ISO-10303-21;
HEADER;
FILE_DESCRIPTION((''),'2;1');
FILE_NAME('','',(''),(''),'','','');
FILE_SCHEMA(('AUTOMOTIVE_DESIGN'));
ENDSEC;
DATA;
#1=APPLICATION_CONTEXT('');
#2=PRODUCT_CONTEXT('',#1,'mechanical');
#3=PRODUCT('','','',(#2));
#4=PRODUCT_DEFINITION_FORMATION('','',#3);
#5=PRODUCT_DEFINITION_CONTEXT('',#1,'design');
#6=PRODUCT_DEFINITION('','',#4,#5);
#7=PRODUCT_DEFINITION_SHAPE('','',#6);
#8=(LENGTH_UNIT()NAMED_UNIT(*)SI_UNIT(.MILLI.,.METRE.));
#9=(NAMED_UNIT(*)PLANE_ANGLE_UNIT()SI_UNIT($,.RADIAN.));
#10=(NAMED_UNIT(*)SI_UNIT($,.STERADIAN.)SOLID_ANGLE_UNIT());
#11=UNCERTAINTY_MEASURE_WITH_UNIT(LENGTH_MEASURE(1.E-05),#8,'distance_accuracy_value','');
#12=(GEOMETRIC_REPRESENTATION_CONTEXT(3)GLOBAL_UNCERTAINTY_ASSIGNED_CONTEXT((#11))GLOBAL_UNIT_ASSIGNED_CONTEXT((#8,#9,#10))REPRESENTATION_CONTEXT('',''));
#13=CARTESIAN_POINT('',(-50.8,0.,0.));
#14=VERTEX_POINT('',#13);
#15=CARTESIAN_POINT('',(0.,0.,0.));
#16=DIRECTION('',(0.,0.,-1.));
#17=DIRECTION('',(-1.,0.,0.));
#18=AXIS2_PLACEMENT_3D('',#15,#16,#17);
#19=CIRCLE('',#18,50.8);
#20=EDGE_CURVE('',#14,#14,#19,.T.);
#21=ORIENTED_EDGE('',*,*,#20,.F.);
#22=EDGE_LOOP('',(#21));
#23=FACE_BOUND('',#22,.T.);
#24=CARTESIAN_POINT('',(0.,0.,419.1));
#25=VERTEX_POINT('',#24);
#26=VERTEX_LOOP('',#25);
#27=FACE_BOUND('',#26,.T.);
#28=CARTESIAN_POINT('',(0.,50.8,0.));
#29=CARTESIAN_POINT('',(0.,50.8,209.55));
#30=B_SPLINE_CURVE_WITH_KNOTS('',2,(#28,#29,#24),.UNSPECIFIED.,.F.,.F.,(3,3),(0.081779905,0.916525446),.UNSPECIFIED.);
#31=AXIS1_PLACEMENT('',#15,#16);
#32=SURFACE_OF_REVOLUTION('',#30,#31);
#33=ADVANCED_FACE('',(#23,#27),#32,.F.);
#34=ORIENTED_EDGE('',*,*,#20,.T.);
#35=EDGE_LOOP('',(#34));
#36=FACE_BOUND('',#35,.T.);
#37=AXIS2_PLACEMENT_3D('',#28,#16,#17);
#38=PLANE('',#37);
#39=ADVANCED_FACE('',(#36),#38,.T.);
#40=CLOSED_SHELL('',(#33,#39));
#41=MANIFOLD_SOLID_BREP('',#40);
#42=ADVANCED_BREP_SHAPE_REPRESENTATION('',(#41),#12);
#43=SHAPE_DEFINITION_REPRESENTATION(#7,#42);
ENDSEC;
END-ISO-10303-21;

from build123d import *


with BuildPart() as part:
    # Sketch1 → Revolve1 (revolve)
    with BuildSketch(Plane(origin=(0, 0, 0), x_dir=(0, 0, -1), z_dir=(1, 0, 0))):
        with BuildLine():
            Line((0, 50.8), (0, 0))
            Line((0, 0), (-419.099999998, 0))
            add(Edge.make_bspline(
                [(-419.099999998, 0), (-209.549999998, 50.8), (0, 50.8)],
                knots=[0.081779905, 0.081779905, 0.081779905, 0.916525446, 0.916525446, 0.916525446], degree=2))
        make_face()
    revolve(axis=Axis((0, 0, 0), (0, 0, 1)))


solid = part.part
